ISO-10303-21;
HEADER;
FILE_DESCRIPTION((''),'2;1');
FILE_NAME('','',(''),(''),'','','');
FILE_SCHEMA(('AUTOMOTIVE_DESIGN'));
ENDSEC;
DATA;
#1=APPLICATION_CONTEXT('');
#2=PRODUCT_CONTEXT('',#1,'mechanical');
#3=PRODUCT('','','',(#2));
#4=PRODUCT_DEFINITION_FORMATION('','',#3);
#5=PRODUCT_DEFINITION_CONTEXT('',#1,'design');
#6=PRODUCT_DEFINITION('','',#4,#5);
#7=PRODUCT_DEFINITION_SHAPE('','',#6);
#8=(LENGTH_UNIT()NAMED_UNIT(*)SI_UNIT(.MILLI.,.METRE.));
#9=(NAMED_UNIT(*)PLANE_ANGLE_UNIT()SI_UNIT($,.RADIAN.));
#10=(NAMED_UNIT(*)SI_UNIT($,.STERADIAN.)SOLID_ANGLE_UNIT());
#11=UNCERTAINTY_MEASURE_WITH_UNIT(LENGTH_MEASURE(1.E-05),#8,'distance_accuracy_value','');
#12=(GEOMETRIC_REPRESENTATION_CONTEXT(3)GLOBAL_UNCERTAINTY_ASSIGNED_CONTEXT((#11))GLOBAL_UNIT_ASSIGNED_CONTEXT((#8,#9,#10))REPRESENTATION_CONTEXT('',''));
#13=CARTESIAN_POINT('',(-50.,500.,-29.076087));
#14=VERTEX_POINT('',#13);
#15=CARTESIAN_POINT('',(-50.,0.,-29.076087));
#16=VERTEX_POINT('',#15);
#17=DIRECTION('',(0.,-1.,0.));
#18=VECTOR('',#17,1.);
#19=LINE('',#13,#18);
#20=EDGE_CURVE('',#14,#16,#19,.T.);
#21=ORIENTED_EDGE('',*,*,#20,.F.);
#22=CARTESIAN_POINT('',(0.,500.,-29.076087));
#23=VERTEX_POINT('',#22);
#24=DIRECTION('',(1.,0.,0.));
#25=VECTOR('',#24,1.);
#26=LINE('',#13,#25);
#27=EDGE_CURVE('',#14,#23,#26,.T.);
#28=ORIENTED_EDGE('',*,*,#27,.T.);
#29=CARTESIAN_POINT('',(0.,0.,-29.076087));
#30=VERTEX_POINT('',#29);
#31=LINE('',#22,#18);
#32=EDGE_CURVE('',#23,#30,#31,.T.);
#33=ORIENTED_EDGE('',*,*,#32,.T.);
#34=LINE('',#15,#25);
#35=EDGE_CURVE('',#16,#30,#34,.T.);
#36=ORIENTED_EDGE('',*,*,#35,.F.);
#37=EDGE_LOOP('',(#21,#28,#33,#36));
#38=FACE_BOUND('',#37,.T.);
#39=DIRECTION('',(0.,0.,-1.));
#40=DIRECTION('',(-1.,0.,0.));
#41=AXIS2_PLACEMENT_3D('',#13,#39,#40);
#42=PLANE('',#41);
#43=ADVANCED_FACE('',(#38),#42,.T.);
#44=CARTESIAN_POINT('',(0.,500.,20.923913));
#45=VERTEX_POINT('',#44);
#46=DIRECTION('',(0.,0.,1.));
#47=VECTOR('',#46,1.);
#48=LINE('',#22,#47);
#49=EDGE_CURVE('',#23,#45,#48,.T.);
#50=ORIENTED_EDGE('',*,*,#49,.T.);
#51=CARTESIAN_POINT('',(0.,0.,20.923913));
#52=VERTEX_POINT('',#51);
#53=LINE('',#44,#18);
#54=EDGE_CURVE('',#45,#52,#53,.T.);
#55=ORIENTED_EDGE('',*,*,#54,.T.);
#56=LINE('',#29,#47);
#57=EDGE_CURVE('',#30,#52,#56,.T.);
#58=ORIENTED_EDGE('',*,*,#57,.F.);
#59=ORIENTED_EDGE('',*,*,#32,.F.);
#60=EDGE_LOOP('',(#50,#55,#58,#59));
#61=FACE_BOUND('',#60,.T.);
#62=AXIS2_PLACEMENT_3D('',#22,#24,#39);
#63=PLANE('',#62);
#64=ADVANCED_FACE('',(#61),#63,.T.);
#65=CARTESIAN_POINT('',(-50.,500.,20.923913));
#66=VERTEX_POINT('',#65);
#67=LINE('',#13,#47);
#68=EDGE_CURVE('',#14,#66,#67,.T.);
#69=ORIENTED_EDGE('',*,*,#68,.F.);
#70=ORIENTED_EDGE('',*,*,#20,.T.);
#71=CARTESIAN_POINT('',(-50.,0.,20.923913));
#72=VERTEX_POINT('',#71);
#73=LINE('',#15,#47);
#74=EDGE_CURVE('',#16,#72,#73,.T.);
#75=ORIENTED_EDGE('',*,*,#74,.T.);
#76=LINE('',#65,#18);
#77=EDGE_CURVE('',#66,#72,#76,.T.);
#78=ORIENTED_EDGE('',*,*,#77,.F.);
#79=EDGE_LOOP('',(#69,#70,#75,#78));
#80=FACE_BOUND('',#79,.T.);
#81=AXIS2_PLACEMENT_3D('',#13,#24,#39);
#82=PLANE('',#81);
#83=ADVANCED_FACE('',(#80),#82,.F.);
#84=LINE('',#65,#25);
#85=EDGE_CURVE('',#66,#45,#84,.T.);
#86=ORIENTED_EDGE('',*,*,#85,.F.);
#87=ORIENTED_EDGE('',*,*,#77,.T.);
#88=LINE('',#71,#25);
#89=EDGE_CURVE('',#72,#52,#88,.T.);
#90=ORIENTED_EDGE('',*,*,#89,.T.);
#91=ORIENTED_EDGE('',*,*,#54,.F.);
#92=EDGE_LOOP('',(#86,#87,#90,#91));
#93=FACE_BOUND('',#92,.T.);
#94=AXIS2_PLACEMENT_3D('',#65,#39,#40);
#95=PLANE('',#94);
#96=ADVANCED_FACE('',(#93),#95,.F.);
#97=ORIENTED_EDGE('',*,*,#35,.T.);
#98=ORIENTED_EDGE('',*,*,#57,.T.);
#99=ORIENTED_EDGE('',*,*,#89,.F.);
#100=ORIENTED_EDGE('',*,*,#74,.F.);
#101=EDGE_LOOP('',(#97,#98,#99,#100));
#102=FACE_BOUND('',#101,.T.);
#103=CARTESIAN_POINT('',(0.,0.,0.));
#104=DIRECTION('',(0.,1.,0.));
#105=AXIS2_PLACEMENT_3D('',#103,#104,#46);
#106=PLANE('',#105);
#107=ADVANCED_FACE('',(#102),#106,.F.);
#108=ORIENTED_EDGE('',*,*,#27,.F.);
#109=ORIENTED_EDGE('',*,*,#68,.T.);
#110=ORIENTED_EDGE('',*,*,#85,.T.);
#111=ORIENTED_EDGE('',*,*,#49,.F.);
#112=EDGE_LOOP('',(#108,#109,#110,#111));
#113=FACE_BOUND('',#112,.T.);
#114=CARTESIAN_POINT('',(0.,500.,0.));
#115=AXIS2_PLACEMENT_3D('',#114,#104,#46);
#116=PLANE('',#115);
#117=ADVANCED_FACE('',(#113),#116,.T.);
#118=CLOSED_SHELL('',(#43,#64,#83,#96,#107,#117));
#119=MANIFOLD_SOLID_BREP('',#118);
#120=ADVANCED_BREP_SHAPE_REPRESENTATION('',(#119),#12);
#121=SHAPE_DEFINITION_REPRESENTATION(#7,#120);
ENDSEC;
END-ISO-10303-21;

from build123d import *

# Parameters (mm, degrees)
ESBO_O2_W                = 50
ESBO_O2_H                = 50
RESSALTO_EXTRUS_O1_DEPTH = 500


with BuildPart() as part:
    # Esboço2 → Ressalto-extrusão1 (new body)
    with BuildSketch(Plane(origin=(0, 0, 0), x_dir=(1, 0, 0), z_dir=(0, 1, 0))):
        with Locations((-25, 4.076086957)):
            Rectangle(ESBO_O2_W, ESBO_O2_H)
    extrude(amount=RESSALTO_EXTRUS_O1_DEPTH)


solid = part.part
